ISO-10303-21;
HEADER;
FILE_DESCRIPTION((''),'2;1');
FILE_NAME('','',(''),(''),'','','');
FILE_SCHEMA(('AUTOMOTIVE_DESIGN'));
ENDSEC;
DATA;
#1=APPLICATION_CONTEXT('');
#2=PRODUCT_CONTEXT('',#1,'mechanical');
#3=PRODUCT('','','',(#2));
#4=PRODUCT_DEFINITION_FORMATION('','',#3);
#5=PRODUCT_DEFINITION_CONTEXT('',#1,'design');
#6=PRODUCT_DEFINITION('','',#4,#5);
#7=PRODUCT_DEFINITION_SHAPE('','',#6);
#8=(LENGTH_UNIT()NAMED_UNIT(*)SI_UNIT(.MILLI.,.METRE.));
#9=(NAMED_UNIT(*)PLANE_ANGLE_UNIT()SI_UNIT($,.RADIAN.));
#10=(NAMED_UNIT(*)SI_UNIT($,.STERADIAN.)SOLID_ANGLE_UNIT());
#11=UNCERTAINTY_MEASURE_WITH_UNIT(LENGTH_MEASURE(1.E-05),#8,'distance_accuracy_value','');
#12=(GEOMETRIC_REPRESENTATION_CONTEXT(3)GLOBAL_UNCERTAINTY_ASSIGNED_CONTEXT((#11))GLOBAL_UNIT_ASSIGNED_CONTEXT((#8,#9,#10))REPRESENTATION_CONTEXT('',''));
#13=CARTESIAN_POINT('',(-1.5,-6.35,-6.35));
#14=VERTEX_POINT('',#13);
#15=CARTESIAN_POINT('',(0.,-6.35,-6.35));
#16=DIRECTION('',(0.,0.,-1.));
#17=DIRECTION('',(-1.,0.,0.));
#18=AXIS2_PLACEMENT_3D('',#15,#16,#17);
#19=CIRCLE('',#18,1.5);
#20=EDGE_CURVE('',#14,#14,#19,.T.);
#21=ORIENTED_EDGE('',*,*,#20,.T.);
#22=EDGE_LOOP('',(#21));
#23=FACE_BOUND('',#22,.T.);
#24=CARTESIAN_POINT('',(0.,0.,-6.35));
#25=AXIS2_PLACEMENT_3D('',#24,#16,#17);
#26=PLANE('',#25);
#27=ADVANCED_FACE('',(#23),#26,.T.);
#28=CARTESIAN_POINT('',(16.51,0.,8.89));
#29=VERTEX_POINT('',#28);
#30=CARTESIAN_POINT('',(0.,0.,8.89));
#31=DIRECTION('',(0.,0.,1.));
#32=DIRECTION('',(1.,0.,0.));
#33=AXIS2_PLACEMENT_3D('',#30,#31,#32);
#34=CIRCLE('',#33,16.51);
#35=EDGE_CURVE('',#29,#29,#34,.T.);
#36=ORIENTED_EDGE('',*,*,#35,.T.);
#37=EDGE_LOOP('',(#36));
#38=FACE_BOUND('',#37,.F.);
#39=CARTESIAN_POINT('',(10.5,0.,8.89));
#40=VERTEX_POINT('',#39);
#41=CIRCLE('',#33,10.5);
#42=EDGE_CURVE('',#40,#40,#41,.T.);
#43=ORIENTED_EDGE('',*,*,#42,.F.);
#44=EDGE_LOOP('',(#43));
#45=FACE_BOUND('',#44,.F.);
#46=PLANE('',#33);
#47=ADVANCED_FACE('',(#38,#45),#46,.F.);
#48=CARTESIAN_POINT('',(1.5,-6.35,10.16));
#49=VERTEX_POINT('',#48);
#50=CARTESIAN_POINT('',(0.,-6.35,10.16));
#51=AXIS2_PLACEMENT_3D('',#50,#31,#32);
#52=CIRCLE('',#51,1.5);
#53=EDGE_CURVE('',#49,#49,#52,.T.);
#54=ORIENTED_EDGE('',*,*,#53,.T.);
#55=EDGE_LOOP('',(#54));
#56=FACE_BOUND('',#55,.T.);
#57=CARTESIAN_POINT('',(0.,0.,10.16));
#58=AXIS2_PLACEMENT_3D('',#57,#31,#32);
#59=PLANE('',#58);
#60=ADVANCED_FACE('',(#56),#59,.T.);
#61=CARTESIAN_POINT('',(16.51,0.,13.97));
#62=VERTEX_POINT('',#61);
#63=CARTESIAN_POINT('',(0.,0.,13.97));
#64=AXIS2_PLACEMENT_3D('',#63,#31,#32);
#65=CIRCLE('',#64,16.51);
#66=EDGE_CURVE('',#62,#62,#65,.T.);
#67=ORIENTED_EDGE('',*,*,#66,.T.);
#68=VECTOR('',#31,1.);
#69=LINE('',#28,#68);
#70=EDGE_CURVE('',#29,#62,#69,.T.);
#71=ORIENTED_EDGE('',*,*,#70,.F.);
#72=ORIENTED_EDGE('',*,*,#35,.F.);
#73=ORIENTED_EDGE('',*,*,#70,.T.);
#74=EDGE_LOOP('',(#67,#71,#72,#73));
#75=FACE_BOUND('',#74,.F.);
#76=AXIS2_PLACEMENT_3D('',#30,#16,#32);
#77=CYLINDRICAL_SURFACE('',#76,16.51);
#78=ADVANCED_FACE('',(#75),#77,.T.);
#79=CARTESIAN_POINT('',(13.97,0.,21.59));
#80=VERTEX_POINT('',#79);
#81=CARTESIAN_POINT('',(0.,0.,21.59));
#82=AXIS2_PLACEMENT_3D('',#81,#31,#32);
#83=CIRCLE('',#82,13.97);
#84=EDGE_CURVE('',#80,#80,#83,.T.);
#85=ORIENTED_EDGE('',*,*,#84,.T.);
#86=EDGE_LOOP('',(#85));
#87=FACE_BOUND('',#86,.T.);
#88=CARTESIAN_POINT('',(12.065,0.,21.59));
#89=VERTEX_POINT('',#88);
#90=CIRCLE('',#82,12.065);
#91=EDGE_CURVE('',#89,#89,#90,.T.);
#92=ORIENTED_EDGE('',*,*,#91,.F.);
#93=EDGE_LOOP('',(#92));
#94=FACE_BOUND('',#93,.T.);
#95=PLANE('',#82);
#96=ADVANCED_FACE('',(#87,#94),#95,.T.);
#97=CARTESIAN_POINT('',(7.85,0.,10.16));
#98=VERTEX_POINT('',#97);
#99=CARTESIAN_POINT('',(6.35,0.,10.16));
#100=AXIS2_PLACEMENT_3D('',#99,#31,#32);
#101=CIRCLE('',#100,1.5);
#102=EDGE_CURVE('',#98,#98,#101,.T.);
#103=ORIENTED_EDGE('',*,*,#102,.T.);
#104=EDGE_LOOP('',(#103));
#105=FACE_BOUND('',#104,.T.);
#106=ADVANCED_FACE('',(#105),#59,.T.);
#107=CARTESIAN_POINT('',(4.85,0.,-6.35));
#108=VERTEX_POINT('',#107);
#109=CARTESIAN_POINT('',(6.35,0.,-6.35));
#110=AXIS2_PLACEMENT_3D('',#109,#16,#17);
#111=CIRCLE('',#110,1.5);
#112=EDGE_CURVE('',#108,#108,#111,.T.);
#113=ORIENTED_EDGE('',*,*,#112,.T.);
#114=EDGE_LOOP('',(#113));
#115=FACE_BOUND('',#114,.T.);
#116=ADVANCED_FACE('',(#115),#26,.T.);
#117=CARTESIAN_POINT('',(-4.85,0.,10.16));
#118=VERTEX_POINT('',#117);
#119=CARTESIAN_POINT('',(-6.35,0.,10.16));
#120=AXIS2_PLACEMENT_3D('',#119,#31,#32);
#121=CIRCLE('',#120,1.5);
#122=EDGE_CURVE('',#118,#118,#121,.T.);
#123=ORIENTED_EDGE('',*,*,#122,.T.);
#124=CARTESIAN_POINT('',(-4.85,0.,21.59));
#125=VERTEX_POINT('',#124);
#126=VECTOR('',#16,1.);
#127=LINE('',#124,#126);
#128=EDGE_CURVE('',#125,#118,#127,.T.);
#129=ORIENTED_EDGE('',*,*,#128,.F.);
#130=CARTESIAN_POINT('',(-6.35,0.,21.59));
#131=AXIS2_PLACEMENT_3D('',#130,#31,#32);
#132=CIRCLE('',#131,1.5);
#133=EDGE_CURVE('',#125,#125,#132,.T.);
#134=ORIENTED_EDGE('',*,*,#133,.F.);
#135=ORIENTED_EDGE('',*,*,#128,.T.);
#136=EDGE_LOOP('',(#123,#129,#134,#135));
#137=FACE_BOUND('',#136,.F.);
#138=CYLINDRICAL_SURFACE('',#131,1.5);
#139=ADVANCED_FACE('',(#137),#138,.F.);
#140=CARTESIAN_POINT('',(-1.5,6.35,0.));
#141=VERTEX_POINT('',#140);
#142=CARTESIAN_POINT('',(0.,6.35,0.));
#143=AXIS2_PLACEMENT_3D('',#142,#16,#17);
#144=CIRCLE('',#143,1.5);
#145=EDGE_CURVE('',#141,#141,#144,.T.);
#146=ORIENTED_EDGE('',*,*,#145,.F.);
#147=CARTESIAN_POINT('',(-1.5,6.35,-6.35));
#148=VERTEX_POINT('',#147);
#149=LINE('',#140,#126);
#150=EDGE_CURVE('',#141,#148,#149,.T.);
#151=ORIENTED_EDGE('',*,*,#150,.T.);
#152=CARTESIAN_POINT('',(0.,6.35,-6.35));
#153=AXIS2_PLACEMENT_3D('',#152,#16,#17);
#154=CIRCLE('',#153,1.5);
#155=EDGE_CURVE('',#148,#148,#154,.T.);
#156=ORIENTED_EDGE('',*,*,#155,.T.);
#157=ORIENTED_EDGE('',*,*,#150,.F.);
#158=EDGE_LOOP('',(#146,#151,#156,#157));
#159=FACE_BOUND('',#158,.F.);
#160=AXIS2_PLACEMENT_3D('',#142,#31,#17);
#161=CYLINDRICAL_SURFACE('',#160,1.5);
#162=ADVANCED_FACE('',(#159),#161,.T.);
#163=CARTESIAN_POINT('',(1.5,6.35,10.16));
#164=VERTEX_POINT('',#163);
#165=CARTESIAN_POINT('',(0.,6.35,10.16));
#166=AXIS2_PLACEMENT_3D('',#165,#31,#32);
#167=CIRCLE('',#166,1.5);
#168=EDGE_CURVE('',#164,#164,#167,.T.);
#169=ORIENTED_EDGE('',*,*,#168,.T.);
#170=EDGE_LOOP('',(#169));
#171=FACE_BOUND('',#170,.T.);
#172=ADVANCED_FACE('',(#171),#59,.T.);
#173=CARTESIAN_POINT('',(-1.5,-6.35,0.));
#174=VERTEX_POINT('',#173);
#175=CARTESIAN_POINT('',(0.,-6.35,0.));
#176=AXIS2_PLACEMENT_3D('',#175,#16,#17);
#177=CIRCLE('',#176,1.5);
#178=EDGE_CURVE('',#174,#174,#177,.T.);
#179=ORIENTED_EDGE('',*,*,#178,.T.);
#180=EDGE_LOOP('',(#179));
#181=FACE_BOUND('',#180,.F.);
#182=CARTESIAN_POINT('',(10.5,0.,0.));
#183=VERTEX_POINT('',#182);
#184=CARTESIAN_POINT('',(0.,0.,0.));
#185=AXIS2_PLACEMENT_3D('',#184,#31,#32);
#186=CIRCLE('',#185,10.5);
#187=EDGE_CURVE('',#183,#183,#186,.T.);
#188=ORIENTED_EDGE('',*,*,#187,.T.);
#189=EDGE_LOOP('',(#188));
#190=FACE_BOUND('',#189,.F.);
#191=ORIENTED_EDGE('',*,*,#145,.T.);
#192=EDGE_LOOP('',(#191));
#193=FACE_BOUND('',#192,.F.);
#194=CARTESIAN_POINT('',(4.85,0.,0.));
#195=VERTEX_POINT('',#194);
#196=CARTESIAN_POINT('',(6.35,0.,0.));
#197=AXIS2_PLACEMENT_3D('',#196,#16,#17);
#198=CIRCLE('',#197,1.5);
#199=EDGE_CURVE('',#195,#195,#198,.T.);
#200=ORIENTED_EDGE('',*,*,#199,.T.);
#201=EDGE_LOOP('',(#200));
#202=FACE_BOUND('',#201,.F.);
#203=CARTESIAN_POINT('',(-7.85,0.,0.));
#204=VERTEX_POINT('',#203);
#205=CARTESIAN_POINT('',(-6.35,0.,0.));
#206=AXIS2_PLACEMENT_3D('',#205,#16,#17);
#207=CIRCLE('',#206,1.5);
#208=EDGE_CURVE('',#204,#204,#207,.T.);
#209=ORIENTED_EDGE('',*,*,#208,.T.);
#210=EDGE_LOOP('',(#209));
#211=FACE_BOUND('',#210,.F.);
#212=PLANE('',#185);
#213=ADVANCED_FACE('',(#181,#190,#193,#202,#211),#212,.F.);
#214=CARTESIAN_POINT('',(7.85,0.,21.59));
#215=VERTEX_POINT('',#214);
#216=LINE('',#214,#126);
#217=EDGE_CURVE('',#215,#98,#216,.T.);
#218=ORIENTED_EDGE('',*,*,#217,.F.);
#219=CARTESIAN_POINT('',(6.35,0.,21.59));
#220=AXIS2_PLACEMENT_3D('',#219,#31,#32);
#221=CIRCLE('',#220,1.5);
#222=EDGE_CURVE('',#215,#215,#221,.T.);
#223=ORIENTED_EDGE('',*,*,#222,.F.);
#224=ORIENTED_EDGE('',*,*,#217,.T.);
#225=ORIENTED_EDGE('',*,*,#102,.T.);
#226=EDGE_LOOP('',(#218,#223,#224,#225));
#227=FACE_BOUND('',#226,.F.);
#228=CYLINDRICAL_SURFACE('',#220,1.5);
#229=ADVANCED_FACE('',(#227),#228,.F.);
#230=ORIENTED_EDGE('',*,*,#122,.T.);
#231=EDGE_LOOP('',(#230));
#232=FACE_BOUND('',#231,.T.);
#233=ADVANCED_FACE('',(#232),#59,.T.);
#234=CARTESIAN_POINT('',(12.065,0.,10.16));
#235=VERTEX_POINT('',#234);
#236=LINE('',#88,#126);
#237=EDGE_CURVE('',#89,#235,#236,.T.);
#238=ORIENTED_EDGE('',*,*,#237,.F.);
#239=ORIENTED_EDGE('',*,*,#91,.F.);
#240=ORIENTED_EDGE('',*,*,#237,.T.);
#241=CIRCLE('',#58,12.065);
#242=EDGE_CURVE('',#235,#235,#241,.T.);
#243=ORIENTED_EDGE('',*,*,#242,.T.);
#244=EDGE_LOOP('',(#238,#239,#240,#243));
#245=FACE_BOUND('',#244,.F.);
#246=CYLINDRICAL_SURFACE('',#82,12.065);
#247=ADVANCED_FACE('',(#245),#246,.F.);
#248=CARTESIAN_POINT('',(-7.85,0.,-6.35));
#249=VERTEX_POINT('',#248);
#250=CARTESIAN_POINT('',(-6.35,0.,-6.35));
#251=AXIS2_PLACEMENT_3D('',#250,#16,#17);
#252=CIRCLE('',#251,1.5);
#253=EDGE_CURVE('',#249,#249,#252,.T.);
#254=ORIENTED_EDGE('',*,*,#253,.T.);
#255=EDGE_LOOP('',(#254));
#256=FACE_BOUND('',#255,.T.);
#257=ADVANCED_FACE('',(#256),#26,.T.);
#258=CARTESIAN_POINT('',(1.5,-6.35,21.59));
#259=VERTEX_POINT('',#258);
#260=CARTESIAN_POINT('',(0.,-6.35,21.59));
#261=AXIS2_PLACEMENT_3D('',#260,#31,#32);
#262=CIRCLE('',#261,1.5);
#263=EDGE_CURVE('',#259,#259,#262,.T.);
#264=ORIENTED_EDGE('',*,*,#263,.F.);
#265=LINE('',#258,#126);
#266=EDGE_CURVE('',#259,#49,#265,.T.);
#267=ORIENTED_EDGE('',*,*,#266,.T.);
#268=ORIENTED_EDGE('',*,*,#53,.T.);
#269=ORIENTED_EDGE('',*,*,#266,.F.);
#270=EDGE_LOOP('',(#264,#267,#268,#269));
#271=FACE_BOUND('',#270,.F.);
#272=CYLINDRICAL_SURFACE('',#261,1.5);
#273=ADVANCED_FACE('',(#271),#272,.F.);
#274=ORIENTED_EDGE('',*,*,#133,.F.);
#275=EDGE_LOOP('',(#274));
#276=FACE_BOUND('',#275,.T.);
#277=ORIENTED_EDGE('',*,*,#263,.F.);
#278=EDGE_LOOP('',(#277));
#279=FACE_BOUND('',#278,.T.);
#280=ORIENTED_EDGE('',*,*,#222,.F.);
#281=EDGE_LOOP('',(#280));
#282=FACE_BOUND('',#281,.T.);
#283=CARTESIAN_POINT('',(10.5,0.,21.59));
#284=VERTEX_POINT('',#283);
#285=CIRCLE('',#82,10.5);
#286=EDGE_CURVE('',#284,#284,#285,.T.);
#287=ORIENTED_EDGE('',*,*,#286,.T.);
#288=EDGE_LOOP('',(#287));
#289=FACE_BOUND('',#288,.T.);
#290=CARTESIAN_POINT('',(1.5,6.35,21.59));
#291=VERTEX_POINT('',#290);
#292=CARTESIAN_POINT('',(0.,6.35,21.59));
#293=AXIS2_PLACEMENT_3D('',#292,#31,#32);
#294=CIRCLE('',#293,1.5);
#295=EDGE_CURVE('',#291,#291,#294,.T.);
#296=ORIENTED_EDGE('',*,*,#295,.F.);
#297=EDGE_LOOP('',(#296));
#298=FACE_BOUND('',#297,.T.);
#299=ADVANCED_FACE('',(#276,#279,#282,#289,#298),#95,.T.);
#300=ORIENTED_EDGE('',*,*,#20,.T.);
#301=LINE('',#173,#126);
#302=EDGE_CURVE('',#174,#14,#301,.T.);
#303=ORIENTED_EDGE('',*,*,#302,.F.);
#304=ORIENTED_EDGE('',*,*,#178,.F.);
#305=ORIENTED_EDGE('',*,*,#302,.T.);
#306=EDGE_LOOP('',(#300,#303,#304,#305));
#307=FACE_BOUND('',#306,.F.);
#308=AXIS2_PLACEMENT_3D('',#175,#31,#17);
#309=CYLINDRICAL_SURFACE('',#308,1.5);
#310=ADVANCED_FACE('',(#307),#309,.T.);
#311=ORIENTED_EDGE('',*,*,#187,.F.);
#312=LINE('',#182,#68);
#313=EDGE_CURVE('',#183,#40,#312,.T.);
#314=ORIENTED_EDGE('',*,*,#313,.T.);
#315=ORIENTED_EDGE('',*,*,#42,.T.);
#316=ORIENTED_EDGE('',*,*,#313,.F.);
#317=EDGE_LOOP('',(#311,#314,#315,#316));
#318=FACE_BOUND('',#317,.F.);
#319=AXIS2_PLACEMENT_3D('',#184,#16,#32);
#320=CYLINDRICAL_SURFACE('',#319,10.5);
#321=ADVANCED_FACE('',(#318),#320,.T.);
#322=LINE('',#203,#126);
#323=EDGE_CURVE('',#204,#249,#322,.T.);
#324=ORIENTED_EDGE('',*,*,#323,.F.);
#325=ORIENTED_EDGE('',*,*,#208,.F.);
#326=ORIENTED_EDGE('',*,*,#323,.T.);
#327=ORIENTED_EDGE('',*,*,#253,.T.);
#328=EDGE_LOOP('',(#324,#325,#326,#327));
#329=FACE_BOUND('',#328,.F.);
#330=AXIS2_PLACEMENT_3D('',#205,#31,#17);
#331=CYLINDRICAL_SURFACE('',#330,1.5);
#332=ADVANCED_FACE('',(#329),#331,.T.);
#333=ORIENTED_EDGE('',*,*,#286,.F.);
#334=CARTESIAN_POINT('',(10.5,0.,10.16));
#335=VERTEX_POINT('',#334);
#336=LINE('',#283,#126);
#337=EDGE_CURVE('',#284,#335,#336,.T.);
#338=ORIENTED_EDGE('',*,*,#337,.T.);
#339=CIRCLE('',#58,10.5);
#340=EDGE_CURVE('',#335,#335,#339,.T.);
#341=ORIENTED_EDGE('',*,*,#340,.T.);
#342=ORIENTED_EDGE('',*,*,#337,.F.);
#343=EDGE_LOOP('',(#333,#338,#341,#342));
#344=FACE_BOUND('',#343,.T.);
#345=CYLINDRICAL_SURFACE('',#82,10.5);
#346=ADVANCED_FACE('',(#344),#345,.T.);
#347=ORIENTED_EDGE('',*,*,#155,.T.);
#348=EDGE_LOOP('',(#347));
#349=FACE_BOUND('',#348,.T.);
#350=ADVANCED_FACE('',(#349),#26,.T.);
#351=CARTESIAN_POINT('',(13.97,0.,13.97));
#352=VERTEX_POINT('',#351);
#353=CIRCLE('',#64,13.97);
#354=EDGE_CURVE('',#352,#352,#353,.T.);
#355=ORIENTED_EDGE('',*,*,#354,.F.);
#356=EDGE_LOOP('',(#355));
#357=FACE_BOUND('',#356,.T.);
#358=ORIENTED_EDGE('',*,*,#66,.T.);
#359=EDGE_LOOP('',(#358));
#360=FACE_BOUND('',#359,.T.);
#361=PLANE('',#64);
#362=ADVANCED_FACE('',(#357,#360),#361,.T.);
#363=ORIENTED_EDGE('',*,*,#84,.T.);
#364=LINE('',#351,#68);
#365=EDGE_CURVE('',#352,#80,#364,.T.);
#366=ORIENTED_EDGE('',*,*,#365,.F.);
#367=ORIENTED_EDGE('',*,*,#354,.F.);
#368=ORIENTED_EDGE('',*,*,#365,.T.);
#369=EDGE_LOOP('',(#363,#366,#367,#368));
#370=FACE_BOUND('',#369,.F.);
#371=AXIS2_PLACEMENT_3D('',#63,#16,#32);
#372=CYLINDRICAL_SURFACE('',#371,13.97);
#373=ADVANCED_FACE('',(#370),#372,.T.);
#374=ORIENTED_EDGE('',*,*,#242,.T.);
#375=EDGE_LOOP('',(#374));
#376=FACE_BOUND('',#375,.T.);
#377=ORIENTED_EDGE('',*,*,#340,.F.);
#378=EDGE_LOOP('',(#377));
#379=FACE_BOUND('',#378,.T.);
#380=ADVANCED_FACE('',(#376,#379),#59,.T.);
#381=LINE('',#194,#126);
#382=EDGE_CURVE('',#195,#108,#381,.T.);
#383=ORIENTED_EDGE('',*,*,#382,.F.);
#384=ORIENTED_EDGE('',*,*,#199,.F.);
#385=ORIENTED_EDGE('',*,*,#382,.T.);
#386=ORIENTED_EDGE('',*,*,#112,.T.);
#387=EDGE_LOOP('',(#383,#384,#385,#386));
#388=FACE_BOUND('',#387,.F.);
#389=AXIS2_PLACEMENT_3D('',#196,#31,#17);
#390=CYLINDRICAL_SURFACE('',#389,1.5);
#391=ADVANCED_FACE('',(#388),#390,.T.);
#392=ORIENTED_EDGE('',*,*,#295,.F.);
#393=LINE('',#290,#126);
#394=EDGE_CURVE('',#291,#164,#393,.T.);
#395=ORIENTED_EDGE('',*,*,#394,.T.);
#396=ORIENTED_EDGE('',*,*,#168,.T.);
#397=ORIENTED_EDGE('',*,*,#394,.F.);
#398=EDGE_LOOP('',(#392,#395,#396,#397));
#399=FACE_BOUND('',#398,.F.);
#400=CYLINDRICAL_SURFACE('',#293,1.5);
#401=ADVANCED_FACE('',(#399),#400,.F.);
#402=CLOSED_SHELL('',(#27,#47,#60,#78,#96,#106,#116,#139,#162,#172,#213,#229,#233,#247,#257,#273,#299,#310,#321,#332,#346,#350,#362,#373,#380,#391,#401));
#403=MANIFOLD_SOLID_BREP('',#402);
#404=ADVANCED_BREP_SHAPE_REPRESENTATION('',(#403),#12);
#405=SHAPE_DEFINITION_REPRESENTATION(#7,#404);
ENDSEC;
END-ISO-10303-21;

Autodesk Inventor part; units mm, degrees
ref_plane "YZ Plane" through (0, 0, 0) normal (1, 0, 0) x (0, 1, 0)
ref_plane "XZ Plane" through (0, 0, 0) normal (0, 1, 0) x (-1, 0, 0)
ref_plane "XY Plane" through (0, 0, 0) normal (0, 0, 1) x (1, 0, 0)
sketch "Sketch1" plane through (0, 0, 0) normal (0, 0, 1) x (1, 0, 0)
  circle A0 centre (0, 0) radius 10.5
  dimension "d0" = 21
extrude "Extrusion1" add sketch "Sketch1" along normal blind 8.89
sketch "Sketch2" plane through (0, 0, 8.89) normal (0, 0, 1) x (1, 0, 0)
  circle A0 centre (0, 0) radius 16.51
  dimension "d3" = 33.02
extrude "Extrusion2" add sketch "Sketch2" along normal blind 5.08
sketch "Sketch3" plane through (0, 0, 13.97) normal (0, 0, 1) x (1, 0, 0)
  circle A0 centre (0, 0) radius 13.97
  dimension "d6" = 27.94
extrude "Extrusion3" add sketch "Sketch3" along normal blind 7.62
sketch "Sketch4" plane through (0, 0, 21.59) normal (0, 0, 1) x (1, 0, 0)
  circle A0 centre (0, 0) radius 6.35 construction
  circle A1 centre (0, 6.35) radius 1.5
  circle A2 centre (-6.35, 0) radius 1.5
  circle A3 centre (0, -6.35) radius 1.5
  circle A4 centre (6.35, 0) radius 1.5
  dimension "d9" = 12.7
  dimension "d10" = 3
  dimension "d13" = 360
extrude "Extrusion4" cut sketch "Sketch4" against normal blind 11.43
sketch "Sketch5" plane through (0, 0, 21.59) normal (0, 0, 1) x (1, 0, 0)
  circle A0 centre (0, 0) radius 10.5
  circle A1 centre (0, 0) radius 10.5 projected
  circle A2 centre (0, 0) radius 12.065
  dimension "d17" = 24.13
extrude "Extrusion5" cut sketch "Sketch5" against normal blind 11.43
sketch "Sketch6" plane through (0, 0, 0) normal (0, 0, -1) x (-1, 0, 0)
  circle A0 centre (0, 6.35) radius 1.5 projected
  circle A1 centre (0, 0) radius 6.35 construction
  circle A2 centre (0, 6.35) radius 1.5
  circle A3 centre (0, 0) radius 6.35 construction
  circle A4 centre (-6.35, 0) radius 1.5
  circle A5 centre (0, 0) radius 6.35 construction
  circle A6 centre (0, -6.35) radius 1.5
  circle A7 centre (0, 0) radius 6.35 construction
  circle A8 centre (6.35, 0) radius 1.5
  dimension "d22" = 360
extrude "Extrusion6" add sketch "Sketch6" along normal blind 6.35
properties part number "connector" material "Rubber"
